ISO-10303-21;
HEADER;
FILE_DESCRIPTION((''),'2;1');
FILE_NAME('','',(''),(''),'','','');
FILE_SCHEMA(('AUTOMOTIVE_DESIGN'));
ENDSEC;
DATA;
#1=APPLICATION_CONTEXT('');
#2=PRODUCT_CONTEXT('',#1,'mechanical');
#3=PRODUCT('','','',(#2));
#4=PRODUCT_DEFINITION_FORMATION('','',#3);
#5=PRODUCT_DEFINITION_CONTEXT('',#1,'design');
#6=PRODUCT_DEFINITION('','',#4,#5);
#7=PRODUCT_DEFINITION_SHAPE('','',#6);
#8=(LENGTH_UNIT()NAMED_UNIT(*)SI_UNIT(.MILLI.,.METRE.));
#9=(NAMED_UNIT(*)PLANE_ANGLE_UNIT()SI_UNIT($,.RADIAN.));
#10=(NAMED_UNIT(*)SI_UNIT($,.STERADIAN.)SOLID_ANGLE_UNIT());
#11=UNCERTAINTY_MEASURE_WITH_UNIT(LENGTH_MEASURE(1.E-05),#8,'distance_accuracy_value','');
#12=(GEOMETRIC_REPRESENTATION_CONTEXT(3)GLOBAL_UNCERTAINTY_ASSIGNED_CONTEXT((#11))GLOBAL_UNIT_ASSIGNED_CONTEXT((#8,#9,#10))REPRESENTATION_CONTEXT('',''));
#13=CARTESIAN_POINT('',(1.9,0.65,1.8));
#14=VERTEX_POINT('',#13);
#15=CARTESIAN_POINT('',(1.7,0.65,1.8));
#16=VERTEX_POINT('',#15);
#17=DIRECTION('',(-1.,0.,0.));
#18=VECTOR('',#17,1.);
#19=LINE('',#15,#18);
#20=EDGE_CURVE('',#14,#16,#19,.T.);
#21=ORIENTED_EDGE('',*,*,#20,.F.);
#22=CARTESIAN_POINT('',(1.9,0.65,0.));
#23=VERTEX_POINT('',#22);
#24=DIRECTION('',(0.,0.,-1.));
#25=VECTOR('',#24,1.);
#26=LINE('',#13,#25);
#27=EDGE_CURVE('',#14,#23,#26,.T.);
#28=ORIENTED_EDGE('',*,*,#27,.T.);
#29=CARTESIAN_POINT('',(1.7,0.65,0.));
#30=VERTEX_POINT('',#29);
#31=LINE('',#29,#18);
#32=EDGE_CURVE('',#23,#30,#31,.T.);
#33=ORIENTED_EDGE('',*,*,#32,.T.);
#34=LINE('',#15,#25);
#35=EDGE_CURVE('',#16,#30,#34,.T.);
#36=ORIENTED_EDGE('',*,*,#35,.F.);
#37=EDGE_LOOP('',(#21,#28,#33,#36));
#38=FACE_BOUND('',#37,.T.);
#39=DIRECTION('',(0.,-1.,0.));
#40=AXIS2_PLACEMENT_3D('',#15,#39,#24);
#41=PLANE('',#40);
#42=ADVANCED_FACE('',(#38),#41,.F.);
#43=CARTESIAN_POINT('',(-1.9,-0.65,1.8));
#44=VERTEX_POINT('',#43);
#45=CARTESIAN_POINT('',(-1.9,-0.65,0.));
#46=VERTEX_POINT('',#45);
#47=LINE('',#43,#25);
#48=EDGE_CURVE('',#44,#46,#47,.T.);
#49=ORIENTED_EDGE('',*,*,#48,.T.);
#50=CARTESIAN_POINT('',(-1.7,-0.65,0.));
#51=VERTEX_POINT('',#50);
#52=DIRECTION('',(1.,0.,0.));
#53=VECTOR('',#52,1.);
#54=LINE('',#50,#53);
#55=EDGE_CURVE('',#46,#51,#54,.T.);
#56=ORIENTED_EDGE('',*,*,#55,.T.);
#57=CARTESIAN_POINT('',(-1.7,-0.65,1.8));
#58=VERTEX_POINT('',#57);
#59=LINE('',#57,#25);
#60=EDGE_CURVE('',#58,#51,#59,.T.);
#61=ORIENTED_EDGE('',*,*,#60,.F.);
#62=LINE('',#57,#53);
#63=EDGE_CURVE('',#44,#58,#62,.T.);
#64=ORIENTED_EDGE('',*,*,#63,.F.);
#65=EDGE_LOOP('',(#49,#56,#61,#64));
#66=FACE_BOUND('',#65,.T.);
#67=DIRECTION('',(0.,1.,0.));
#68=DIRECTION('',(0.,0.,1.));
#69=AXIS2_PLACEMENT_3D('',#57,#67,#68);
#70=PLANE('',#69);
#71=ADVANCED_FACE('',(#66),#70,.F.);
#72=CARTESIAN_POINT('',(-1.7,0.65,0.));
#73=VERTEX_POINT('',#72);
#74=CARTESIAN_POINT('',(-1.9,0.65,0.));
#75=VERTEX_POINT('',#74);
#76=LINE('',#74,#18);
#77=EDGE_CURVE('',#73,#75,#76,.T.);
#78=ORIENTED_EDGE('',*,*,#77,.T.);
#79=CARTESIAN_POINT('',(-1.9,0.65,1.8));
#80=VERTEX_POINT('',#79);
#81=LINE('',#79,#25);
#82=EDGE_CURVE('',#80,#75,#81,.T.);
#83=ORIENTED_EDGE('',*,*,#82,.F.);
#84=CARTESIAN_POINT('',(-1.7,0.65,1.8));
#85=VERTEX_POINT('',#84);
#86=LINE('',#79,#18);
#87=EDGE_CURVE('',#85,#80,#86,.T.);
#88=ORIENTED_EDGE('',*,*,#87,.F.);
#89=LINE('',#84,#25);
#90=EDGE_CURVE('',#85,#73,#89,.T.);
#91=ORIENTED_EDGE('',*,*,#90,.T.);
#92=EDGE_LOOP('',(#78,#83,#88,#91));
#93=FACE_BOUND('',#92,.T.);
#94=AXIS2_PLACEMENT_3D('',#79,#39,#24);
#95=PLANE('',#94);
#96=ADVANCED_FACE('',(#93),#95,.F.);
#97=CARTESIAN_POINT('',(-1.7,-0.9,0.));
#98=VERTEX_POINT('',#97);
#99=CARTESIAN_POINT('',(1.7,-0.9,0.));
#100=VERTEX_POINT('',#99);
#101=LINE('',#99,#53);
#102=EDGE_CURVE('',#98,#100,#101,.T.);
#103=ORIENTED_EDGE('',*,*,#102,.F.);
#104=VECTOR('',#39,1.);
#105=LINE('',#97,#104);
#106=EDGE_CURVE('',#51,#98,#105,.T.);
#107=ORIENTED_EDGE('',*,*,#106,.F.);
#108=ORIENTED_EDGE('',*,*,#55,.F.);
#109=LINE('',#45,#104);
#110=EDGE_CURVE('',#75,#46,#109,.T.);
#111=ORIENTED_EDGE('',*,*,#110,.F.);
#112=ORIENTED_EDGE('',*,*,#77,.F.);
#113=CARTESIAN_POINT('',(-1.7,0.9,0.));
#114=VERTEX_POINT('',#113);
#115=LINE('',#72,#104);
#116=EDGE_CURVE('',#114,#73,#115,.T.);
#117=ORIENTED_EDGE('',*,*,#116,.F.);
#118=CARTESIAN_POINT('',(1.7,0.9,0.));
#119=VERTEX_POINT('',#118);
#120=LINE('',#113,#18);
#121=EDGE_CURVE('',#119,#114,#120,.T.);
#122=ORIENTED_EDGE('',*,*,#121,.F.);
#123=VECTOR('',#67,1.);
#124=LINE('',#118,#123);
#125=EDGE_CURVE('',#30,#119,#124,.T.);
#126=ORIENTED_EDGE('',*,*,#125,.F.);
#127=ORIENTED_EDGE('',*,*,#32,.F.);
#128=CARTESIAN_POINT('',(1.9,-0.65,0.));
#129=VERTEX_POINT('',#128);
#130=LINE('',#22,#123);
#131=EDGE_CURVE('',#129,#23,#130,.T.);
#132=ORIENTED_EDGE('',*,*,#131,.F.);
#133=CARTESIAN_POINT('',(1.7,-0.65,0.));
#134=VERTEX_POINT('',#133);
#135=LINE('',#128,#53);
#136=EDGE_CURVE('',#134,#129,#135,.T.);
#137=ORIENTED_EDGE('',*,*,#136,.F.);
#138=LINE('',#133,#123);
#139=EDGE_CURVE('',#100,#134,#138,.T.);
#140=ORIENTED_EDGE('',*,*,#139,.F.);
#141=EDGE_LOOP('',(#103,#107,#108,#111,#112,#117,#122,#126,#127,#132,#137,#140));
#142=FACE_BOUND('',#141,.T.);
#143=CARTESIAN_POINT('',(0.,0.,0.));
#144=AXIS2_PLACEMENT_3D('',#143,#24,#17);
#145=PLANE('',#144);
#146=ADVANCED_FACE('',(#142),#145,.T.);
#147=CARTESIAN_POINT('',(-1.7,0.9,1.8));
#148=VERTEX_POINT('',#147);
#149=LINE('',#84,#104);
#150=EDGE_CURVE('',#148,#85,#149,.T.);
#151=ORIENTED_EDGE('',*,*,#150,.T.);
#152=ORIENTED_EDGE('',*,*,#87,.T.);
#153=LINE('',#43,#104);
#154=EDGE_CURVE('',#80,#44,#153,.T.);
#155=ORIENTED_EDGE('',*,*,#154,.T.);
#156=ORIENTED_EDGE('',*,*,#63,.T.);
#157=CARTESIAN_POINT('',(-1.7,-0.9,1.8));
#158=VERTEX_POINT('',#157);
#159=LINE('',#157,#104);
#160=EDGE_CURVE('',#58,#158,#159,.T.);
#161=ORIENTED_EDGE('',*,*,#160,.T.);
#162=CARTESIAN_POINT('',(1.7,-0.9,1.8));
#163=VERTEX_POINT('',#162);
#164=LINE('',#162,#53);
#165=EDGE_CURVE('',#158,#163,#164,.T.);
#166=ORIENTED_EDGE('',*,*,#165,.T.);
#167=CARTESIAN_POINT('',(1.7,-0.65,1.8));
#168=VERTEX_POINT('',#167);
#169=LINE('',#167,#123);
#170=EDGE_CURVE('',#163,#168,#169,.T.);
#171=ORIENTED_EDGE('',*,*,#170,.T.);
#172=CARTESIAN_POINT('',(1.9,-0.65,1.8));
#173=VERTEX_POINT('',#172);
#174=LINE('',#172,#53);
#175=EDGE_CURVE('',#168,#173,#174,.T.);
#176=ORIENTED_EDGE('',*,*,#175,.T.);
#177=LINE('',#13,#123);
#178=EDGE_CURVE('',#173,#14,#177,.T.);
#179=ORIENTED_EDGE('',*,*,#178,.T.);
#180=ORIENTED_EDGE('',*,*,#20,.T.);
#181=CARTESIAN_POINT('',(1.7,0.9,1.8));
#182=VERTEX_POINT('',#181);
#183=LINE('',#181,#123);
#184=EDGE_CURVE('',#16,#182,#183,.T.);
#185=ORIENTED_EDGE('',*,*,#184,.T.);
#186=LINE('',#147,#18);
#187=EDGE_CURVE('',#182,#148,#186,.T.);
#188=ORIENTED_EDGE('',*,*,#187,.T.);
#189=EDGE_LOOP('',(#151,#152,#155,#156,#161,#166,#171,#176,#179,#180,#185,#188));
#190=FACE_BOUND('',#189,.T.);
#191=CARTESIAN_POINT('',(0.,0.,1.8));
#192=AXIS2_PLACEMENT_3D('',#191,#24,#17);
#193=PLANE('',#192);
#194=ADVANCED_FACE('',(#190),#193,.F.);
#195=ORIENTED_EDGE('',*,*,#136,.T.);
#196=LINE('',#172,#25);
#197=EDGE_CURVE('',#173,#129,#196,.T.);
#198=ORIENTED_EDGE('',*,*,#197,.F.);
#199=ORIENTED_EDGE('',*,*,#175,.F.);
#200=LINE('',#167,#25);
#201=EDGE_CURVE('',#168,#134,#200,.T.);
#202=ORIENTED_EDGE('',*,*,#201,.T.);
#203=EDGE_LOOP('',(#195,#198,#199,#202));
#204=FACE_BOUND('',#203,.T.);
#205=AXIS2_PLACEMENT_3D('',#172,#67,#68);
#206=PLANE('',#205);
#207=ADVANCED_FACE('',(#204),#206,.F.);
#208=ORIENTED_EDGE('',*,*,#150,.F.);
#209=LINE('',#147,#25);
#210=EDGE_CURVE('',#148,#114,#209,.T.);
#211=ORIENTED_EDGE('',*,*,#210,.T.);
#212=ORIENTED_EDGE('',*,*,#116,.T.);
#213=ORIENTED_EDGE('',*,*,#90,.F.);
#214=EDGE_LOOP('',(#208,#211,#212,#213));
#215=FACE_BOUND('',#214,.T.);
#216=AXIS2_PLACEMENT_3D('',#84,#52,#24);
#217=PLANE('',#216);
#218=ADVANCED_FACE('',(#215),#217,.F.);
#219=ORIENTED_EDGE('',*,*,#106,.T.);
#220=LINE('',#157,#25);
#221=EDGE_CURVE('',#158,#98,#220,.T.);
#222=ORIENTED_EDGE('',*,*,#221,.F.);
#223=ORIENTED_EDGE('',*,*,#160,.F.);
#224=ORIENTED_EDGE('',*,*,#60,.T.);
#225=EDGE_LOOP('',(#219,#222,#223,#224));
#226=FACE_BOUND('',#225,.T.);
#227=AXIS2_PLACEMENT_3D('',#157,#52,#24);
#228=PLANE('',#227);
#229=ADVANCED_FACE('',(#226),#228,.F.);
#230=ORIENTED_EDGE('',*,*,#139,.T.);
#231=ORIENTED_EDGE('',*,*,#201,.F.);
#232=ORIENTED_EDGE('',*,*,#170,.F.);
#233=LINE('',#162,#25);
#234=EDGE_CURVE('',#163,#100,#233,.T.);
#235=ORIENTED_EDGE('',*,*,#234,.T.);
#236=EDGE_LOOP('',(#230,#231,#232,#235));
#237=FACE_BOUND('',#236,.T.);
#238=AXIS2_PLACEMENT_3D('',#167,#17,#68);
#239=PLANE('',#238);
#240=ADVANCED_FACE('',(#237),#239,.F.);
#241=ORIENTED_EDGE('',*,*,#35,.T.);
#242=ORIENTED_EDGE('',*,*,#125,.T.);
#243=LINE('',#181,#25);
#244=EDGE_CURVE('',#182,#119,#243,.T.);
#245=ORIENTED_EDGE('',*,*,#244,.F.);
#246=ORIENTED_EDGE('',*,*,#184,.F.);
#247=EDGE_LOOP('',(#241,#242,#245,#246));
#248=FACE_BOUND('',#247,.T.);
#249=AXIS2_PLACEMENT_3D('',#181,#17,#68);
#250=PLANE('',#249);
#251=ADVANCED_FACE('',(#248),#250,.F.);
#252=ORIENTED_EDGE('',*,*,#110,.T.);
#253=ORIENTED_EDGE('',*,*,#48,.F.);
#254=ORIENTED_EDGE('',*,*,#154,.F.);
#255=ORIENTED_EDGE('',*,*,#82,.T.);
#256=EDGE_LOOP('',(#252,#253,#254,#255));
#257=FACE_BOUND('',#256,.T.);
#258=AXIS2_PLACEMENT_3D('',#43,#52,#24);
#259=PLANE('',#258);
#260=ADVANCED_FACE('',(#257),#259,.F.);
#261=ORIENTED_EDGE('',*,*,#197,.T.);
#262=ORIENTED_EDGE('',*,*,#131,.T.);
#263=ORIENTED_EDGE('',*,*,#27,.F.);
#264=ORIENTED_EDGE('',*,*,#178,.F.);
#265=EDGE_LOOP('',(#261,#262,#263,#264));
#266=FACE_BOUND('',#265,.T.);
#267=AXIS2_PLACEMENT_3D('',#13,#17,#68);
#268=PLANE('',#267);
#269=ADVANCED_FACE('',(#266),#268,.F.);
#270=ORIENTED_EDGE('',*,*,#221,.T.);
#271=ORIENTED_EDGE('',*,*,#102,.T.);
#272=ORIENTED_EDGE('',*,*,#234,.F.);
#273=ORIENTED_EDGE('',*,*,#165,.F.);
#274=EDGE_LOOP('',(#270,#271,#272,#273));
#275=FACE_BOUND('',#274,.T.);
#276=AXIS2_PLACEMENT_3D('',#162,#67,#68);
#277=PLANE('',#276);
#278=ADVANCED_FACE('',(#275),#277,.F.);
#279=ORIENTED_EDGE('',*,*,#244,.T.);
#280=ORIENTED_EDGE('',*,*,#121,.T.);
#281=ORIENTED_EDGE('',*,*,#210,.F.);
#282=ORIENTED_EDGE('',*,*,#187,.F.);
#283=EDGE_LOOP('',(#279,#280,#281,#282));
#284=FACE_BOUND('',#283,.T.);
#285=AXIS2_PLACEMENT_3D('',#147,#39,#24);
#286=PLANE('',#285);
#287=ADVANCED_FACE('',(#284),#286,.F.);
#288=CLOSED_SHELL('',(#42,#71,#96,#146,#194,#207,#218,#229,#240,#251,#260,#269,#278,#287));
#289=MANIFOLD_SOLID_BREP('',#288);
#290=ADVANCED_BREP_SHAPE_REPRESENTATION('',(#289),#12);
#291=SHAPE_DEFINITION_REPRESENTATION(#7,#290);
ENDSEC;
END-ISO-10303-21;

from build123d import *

# Parameters (mm, degrees)
COMPONENT_OUTLINE_DEPTH = 1.8


with BuildPart() as part:
    # 草图1 → Component_Outline (new body)
    with BuildSketch(Plane.XY):
        Polygon((-1.7, -0.9), (-1.7, -0.65), (-1.9, -0.65), (-1.9, 0.65), (-1.7, 0.65), (-1.7, 0.9), (1.7, 0.9), (1.7, 0.65), (1.9, 0.65), (1.9, -0.65), (1.7, -0.65), (1.7, -0.9), align=None)
    extrude(amount=COMPONENT_OUTLINE_DEPTH)


solid = part.part
